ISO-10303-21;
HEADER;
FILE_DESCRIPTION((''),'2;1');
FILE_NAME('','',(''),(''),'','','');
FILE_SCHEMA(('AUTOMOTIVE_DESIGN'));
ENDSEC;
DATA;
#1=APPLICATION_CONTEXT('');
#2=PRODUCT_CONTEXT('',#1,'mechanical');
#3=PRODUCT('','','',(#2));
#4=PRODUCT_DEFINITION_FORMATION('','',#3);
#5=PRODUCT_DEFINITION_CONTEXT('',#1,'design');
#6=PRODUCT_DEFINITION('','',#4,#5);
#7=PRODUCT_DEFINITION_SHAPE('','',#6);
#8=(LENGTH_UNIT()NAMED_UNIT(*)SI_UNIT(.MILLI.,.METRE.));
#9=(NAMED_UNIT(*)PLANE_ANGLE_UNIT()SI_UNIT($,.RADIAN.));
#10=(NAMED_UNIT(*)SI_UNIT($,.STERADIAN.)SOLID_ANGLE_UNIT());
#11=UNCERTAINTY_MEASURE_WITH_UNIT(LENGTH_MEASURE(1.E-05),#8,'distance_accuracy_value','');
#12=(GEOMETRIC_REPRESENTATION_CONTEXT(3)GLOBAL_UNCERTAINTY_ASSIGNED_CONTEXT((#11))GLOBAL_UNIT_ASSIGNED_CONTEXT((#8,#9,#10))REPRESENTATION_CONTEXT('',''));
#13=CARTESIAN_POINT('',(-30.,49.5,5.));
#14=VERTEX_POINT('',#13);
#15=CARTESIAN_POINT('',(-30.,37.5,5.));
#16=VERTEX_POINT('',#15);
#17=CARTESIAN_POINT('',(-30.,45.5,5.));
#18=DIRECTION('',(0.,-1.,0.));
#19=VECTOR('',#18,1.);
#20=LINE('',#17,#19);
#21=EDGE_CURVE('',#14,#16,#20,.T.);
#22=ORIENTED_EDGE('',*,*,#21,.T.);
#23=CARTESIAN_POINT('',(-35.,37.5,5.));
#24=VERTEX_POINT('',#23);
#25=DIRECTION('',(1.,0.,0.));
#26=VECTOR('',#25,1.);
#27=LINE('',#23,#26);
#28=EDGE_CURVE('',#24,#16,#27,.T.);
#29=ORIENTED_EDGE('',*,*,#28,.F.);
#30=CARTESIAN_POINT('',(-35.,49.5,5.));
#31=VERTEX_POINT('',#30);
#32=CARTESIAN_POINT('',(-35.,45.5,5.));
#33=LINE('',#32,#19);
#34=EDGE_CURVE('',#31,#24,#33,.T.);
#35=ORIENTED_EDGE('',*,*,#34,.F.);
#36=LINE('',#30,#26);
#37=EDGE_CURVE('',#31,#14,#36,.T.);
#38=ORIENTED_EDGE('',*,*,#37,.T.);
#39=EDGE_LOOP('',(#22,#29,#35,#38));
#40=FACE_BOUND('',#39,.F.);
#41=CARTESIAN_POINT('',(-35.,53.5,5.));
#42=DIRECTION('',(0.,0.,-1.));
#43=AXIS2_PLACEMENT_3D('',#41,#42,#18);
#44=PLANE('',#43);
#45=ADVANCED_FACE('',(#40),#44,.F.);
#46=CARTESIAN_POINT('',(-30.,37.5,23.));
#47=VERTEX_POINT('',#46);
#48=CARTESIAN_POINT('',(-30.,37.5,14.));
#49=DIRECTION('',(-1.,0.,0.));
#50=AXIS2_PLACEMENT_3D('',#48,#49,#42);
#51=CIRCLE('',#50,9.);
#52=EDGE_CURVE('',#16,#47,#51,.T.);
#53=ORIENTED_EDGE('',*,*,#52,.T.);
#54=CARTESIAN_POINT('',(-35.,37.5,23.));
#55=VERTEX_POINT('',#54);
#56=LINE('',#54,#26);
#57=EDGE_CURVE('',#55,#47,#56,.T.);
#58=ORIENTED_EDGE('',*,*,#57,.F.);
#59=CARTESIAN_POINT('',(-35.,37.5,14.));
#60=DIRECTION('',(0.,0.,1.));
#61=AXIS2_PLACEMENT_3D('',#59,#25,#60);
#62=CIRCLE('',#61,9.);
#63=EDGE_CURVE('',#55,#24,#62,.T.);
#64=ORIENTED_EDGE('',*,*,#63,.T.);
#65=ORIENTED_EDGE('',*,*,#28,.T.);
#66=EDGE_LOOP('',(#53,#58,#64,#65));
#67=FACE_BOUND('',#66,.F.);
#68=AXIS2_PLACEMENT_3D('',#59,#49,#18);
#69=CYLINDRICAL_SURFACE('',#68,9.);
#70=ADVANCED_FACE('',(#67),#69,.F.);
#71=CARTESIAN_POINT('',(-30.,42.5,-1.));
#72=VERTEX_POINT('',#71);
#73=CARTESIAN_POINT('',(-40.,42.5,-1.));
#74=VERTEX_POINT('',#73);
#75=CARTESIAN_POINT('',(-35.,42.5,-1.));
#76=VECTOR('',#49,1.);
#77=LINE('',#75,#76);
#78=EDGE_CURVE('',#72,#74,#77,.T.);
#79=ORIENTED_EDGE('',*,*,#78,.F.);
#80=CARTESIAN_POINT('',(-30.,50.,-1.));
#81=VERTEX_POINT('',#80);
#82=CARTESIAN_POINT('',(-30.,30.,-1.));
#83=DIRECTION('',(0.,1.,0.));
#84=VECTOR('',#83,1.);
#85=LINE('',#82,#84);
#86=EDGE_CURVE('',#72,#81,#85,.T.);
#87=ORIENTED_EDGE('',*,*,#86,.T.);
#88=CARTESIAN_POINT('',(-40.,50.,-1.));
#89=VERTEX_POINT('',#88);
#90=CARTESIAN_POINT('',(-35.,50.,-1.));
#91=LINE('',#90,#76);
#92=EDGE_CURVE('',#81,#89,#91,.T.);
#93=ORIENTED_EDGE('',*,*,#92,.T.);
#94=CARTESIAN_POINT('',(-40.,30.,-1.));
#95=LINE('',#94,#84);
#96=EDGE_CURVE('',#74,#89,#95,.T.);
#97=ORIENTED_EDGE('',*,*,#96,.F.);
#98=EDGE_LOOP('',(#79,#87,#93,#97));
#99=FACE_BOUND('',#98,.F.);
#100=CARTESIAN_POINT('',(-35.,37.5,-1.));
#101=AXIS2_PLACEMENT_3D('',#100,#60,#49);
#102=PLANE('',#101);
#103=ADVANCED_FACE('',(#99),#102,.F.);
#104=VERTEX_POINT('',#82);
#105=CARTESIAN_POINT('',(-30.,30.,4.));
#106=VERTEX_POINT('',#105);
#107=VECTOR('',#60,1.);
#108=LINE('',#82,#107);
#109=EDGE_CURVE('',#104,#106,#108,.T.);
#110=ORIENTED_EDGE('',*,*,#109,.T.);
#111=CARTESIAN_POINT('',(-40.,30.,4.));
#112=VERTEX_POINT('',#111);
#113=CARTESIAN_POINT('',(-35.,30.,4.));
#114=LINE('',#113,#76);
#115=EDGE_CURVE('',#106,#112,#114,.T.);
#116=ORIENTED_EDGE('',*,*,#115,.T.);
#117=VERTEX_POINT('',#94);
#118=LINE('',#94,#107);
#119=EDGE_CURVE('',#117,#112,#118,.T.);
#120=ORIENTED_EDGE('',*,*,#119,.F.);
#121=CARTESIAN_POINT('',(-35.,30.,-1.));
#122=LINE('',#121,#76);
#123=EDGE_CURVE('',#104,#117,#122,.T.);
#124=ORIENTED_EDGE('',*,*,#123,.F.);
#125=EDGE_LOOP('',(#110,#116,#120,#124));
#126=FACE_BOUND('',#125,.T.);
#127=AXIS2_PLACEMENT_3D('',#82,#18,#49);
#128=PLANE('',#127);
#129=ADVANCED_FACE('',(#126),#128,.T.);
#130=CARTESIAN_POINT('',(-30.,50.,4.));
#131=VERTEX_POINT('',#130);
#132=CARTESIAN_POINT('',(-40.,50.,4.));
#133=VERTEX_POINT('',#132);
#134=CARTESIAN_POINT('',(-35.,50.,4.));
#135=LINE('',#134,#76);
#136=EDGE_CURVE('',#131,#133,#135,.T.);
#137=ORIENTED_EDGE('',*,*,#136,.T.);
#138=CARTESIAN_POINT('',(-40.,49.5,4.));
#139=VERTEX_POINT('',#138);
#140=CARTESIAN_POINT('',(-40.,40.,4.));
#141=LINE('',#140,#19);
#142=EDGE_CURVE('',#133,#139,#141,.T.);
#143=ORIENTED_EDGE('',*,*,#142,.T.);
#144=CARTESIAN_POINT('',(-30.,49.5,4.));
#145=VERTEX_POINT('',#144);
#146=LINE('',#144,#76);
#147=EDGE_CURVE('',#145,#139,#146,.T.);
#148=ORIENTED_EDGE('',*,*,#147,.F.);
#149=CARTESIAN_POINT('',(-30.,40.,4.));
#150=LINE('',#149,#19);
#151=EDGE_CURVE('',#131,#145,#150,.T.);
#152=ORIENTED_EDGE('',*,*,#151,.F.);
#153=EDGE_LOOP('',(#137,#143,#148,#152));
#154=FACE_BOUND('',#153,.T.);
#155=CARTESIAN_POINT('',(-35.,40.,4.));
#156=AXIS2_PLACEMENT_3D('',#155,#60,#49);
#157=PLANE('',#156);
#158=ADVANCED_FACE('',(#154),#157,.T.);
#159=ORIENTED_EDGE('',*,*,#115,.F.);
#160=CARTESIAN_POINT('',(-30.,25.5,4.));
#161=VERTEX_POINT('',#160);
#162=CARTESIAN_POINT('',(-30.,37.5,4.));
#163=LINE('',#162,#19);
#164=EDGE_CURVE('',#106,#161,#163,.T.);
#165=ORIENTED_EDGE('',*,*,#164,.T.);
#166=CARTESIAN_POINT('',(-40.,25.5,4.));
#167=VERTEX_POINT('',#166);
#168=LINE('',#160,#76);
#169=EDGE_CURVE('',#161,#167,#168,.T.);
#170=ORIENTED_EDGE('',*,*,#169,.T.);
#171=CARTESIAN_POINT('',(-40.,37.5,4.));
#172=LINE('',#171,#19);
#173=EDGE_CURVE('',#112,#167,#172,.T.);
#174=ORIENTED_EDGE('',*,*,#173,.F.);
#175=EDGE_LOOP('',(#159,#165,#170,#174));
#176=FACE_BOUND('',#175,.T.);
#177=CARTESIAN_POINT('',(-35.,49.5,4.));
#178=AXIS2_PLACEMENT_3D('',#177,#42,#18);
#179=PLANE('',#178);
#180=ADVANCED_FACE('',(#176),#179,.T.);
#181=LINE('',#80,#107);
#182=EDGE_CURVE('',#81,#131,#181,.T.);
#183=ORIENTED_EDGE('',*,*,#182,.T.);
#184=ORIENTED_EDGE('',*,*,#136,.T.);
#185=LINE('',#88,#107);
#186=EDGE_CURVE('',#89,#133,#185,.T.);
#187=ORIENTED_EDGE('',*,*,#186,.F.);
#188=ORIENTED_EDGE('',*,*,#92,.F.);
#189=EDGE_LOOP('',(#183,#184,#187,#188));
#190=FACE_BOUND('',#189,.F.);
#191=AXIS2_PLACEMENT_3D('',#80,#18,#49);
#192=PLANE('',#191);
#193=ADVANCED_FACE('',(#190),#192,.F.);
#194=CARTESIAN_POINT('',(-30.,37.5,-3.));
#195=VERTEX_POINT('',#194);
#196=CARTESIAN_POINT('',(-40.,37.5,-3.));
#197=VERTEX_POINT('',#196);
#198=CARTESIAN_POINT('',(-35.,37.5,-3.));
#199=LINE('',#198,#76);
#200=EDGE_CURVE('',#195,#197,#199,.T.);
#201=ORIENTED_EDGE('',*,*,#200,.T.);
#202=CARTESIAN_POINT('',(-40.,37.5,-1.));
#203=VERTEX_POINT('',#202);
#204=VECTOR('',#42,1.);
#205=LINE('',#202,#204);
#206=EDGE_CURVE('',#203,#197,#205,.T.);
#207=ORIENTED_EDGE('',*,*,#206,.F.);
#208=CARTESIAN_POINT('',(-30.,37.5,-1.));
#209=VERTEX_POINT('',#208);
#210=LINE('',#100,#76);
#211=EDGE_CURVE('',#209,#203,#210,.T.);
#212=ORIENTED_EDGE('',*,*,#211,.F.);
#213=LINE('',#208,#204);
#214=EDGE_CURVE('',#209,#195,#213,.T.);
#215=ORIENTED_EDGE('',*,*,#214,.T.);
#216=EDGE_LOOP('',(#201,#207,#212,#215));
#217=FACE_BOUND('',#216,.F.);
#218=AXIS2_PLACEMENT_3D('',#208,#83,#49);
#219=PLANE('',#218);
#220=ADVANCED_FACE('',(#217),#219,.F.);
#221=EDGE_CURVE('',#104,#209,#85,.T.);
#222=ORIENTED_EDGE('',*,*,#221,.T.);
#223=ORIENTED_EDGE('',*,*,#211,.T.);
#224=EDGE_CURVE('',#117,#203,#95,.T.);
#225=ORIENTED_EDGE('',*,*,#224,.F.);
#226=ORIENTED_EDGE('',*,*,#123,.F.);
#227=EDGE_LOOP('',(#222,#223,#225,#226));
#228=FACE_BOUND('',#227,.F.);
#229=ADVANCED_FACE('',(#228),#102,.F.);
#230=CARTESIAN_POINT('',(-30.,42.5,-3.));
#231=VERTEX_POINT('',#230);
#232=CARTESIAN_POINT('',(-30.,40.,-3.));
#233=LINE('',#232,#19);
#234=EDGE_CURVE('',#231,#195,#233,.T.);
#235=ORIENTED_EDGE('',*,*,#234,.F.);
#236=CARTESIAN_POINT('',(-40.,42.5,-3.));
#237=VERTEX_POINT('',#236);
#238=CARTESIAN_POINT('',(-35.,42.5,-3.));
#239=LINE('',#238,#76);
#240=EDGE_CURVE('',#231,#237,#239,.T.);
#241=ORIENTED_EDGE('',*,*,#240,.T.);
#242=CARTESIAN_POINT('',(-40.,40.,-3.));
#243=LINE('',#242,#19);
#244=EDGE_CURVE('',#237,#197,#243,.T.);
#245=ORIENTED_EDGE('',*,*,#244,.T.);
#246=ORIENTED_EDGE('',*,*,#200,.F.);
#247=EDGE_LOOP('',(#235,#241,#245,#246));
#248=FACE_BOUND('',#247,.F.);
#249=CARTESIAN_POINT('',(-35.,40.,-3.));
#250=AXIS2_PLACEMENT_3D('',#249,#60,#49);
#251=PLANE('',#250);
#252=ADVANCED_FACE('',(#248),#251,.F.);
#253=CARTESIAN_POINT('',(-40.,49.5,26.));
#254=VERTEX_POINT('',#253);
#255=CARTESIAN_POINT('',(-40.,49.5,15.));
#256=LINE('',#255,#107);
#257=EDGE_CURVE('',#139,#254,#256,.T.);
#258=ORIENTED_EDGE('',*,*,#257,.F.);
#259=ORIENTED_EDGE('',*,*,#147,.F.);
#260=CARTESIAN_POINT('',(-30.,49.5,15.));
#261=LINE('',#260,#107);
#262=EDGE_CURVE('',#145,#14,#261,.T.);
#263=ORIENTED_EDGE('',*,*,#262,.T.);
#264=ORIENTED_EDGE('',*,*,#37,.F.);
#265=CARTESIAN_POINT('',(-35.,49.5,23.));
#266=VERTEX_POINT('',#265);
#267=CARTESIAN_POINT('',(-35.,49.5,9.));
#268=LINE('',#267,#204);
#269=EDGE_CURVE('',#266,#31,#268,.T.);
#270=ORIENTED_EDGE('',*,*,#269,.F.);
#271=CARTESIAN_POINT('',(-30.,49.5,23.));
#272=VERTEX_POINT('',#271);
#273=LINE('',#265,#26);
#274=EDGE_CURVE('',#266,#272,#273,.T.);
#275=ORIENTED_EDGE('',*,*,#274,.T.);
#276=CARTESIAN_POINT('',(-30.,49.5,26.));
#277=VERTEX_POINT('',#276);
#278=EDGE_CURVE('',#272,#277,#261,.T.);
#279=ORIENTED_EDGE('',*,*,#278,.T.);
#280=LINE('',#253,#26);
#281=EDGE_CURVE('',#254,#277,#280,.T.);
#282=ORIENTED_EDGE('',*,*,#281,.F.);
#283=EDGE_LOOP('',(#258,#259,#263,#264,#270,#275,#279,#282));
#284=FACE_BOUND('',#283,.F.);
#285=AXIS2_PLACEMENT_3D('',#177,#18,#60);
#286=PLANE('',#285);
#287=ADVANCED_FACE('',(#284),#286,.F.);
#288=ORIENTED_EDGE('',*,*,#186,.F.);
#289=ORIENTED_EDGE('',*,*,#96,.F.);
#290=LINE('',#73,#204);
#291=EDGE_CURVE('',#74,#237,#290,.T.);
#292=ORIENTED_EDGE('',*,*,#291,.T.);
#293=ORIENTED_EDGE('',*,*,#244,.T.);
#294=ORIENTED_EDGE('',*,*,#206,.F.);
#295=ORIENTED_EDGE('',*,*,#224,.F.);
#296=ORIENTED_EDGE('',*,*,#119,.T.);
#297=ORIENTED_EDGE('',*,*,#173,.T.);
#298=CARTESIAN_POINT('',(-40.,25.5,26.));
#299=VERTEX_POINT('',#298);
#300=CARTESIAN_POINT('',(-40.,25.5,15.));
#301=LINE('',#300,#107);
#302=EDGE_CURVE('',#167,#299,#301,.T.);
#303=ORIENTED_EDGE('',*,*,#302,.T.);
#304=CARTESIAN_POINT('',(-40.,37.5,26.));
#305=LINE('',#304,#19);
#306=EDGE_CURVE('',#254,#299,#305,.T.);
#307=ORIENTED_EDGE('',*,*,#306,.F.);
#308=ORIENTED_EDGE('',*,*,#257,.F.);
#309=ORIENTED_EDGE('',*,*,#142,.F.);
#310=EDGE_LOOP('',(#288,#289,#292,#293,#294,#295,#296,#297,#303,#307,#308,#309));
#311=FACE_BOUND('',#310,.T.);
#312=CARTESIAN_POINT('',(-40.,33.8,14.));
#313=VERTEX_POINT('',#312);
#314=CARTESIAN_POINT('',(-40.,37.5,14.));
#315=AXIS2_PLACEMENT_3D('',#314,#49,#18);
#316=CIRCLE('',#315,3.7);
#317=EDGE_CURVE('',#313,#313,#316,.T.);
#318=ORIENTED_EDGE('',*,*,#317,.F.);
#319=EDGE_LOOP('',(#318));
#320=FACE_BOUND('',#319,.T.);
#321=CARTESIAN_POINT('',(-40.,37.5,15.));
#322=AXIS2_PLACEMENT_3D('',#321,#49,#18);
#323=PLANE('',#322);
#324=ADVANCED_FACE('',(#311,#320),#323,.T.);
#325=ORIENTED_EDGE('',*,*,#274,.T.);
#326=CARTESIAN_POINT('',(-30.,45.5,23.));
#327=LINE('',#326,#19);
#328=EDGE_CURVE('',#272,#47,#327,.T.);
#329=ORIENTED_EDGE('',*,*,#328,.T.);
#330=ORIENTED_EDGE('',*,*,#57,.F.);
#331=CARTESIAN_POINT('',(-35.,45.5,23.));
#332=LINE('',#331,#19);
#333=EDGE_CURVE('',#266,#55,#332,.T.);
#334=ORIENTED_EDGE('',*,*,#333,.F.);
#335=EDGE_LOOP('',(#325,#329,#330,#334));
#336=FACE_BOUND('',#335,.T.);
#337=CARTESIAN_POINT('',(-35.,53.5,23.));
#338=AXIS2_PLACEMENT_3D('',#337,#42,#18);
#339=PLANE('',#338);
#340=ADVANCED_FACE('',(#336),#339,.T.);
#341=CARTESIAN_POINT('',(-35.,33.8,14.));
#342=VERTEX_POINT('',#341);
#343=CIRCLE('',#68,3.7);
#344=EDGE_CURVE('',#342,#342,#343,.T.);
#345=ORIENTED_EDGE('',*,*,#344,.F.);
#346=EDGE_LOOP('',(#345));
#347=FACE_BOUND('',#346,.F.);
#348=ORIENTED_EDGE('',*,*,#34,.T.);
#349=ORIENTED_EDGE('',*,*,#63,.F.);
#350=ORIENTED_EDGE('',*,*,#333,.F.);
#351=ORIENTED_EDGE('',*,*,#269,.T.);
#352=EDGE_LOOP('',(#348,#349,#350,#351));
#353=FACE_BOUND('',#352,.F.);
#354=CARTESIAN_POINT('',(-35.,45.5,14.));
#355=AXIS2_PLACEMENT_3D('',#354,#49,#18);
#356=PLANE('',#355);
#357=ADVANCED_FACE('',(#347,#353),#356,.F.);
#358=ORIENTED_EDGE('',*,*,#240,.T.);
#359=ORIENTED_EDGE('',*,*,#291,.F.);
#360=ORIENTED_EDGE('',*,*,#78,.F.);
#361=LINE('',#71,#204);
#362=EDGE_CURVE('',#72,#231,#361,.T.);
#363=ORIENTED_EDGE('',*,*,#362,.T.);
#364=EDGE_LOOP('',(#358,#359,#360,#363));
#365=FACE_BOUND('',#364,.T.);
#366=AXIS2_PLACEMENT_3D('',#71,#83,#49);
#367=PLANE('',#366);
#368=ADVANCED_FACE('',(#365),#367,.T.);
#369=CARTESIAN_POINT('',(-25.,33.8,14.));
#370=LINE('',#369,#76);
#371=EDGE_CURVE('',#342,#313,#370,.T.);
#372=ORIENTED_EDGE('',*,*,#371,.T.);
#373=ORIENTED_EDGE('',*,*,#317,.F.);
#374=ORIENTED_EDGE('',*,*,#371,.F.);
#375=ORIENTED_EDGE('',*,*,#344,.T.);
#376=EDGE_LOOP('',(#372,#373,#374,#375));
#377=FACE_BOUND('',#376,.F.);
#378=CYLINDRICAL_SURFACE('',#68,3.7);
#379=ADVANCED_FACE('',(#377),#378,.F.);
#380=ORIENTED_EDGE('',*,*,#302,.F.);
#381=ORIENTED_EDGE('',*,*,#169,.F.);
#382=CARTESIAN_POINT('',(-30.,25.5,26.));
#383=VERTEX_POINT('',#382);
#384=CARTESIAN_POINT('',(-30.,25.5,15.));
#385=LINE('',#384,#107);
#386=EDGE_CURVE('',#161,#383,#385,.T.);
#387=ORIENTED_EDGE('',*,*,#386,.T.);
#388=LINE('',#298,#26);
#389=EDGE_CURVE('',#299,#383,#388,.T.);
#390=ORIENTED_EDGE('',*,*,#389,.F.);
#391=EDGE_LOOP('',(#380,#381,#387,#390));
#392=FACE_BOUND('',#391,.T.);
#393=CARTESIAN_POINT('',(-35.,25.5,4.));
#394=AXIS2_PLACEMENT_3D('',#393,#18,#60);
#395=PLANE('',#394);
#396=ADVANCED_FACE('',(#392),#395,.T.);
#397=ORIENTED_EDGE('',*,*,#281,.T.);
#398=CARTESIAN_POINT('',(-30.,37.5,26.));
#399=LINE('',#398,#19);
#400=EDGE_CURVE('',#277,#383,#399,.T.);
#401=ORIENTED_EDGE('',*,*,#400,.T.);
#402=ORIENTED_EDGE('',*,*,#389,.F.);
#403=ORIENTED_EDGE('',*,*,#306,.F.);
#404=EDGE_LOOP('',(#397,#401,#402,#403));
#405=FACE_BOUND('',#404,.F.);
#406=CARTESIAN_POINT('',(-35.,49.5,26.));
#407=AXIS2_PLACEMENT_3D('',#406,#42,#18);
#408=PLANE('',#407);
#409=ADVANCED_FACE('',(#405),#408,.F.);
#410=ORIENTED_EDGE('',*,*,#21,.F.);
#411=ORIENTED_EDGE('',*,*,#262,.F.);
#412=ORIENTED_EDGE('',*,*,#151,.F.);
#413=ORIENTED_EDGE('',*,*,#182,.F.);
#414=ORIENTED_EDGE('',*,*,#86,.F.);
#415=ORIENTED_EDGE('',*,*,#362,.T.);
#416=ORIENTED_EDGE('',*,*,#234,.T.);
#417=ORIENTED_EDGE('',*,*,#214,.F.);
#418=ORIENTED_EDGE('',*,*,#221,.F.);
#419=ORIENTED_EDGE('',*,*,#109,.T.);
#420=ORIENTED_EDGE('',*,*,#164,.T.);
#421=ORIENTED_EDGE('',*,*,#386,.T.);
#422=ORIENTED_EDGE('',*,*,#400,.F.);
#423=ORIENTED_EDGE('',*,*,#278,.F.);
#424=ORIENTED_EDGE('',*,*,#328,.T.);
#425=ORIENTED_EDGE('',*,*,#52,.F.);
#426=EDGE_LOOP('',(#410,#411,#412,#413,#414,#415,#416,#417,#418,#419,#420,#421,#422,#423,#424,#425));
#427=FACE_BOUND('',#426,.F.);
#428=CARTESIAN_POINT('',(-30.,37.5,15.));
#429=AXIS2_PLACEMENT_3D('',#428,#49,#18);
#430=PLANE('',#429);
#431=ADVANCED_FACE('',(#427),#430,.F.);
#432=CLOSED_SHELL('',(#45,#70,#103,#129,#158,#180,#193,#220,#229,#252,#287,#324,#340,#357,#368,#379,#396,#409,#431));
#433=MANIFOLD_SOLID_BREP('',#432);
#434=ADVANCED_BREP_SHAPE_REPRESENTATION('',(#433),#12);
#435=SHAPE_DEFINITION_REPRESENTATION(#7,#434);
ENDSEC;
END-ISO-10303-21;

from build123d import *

# Parameters (mm, degrees)
SKETCH052_W             = 10
SKETCH052_H             = 20
PAD024_DEPTH            = 5
SKETCH049_W             = 10
SKETCH049_H             = 10
PAD023_DEPTH            = 6
SKETCH050_W             = 24
SKETCH050_H             = 22
PAD025_DEPTH            = 5
SKETCH048_W             = 16
SKETCH048_H             = 18
POCKET019_DEPTH         = 6
SKETCH051_R             = 3.7
POCKET018_DEPTH         = 10
SKETCH053_W             = 10
SKETCH053_H             = 5
PAD026_DEPTH            = 2
SKETCH064_R             = 9
POCKET024_DEPTH         = 5
BODY010_PLACEMENT_ANGLE = 180


with BuildPart() as part:
    # Sketch052 → Pad024 (new body)
    with BuildSketch(Plane.XY):
        with Locations((0, -2.5)):
            Rectangle(SKETCH052_W, SKETCH052_H)
    extrude(amount=PAD024_DEPTH)

    # Sketch049 → Pad023 (join)
    with BuildSketch(Plane.XY):
        Rectangle(SKETCH049_W, SKETCH049_H)
    extrude(amount=PAD023_DEPTH)

    # Sketch050 → Pad025 (join, symmetric)
    with BuildSketch(Plane.YZ):
        with Locations((0, 16)):
            Rectangle(SKETCH050_W, SKETCH050_H)
    extrude(amount=PAD025_DEPTH, both=True)

    # Sketch048 → Pocket019 (cut)
    with BuildSketch(Plane.YZ):
        with Locations((-8, 15)):
            Rectangle(SKETCH048_W, SKETCH048_H)
    extrude(amount=-POCKET019_DEPTH, mode=Mode.SUBTRACT)

    # Sketch051 → Pocket018 (cut, symmetric)
    with BuildSketch(Plane.YZ):
        with Locations((0, 15)):
            Circle(SKETCH051_R)
    extrude(amount=POCKET018_DEPTH, both=True, mode=Mode.SUBTRACT)

    # Sketch053 → Pad026 (join)
    with BuildSketch(Plane.XY):
        with Locations((0, -2.5)):
            Rectangle(SKETCH053_W, SKETCH053_H)
    extrude(amount=-PAD026_DEPTH)

    # Sketch064 → Pocket024 (cut)
    with BuildSketch(Plane.YZ):
        with Locations((0, 15)):
            Circle(SKETCH064_R)
    extrude(amount=-POCKET024_DEPTH, mode=Mode.SUBTRACT)


with BuildPart() as part_1:
    # Body010 placement: moved
    add(part.part.moved(Location((-35, 37.5, -1))).rotate(Axis((-35, 37.5, -1), (0, 0, 1)), BODY010_PLACEMENT_ANGLE))


solid = part_1.part
